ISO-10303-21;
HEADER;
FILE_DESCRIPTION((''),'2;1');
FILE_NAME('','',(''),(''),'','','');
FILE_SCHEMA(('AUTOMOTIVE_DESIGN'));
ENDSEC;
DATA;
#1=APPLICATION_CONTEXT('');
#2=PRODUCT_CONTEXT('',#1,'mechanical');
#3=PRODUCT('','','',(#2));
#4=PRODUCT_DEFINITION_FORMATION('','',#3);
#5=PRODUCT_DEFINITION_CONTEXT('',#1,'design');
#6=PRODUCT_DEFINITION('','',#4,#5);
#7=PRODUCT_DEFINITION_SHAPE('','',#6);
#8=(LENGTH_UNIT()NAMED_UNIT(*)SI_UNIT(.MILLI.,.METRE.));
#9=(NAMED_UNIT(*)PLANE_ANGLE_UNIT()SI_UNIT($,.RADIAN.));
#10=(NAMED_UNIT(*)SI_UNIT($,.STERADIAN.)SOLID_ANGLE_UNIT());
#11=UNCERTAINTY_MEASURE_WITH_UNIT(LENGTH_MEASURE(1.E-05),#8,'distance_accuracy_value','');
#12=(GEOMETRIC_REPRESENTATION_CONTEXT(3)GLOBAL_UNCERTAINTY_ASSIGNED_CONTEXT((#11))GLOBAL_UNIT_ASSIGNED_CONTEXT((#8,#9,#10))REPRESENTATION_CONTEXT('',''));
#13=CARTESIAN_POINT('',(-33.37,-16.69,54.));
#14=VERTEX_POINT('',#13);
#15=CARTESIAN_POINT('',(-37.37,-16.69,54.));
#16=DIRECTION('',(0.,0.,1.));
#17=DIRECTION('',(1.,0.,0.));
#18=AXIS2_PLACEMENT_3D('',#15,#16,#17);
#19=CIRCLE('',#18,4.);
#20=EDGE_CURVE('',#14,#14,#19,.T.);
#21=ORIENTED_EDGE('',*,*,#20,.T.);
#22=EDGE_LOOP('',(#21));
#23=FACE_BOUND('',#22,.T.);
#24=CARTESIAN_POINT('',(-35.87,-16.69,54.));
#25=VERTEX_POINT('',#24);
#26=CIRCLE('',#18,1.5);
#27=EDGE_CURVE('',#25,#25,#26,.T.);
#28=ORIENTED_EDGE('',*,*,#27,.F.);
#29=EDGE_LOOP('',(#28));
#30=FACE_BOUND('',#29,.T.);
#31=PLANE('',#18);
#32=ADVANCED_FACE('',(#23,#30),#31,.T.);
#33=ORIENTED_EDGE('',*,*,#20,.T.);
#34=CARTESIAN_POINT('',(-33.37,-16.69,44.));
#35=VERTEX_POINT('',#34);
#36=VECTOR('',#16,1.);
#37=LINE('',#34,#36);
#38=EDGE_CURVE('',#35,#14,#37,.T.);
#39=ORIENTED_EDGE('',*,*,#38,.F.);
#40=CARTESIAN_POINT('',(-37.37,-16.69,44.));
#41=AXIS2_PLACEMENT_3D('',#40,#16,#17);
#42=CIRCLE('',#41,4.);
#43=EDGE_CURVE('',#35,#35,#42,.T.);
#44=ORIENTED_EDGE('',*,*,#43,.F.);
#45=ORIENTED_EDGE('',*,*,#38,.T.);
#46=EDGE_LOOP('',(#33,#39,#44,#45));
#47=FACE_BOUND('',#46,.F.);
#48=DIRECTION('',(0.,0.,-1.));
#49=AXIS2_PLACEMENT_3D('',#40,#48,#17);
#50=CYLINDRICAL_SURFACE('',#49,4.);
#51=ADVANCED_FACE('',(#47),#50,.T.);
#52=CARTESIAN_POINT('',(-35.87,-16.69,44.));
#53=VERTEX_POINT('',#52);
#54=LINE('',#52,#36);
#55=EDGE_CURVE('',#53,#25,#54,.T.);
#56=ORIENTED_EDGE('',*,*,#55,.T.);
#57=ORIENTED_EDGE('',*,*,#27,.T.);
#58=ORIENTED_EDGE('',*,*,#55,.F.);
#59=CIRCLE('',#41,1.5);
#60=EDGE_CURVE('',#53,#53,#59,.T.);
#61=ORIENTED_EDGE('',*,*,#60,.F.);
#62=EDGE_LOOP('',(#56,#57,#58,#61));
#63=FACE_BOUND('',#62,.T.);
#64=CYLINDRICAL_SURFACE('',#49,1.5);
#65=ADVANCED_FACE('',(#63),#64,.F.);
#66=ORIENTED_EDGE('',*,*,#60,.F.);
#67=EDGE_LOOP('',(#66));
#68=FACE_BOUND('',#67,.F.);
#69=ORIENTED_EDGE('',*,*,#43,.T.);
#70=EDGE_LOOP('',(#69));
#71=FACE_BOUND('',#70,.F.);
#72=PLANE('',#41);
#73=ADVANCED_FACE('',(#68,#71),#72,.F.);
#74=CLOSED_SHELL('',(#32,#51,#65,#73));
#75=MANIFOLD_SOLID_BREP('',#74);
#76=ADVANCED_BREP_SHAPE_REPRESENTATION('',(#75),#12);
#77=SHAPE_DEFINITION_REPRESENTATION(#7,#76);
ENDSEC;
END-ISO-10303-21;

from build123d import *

# Parameters (mm, degrees)
CYLINDER006_R     = 1.5
CYLINDER006_DEPTH = 10
CYLINDER007_R     = 4
CYLINDER007_DEPTH = 10


with BuildPart() as cylinder006:
    # Cylinder006 → Cylinder006 (new body)
    with BuildSketch(Plane(origin=(-37.37, -16.69, 44), x_dir=(1, 0, 0), z_dir=(0, 0, 1))):
        Circle(CYLINDER006_R)
    extrude(amount=CYLINDER006_DEPTH)


with BuildPart() as cut013014002:
    # Cylinder007 → Cylinder007 (new body)
    with BuildSketch(Plane(origin=(-37.37, -16.69, 44), x_dir=(1, 0, 0), z_dir=(0, 0, 1))):
        Circle(CYLINDER007_R)
    extrude(amount=CYLINDER007_DEPTH)

    # Cut013014002: cut Cylinder006
    add(cylinder006.part, mode=Mode.SUBTRACT)


solid = cut013014002.part
